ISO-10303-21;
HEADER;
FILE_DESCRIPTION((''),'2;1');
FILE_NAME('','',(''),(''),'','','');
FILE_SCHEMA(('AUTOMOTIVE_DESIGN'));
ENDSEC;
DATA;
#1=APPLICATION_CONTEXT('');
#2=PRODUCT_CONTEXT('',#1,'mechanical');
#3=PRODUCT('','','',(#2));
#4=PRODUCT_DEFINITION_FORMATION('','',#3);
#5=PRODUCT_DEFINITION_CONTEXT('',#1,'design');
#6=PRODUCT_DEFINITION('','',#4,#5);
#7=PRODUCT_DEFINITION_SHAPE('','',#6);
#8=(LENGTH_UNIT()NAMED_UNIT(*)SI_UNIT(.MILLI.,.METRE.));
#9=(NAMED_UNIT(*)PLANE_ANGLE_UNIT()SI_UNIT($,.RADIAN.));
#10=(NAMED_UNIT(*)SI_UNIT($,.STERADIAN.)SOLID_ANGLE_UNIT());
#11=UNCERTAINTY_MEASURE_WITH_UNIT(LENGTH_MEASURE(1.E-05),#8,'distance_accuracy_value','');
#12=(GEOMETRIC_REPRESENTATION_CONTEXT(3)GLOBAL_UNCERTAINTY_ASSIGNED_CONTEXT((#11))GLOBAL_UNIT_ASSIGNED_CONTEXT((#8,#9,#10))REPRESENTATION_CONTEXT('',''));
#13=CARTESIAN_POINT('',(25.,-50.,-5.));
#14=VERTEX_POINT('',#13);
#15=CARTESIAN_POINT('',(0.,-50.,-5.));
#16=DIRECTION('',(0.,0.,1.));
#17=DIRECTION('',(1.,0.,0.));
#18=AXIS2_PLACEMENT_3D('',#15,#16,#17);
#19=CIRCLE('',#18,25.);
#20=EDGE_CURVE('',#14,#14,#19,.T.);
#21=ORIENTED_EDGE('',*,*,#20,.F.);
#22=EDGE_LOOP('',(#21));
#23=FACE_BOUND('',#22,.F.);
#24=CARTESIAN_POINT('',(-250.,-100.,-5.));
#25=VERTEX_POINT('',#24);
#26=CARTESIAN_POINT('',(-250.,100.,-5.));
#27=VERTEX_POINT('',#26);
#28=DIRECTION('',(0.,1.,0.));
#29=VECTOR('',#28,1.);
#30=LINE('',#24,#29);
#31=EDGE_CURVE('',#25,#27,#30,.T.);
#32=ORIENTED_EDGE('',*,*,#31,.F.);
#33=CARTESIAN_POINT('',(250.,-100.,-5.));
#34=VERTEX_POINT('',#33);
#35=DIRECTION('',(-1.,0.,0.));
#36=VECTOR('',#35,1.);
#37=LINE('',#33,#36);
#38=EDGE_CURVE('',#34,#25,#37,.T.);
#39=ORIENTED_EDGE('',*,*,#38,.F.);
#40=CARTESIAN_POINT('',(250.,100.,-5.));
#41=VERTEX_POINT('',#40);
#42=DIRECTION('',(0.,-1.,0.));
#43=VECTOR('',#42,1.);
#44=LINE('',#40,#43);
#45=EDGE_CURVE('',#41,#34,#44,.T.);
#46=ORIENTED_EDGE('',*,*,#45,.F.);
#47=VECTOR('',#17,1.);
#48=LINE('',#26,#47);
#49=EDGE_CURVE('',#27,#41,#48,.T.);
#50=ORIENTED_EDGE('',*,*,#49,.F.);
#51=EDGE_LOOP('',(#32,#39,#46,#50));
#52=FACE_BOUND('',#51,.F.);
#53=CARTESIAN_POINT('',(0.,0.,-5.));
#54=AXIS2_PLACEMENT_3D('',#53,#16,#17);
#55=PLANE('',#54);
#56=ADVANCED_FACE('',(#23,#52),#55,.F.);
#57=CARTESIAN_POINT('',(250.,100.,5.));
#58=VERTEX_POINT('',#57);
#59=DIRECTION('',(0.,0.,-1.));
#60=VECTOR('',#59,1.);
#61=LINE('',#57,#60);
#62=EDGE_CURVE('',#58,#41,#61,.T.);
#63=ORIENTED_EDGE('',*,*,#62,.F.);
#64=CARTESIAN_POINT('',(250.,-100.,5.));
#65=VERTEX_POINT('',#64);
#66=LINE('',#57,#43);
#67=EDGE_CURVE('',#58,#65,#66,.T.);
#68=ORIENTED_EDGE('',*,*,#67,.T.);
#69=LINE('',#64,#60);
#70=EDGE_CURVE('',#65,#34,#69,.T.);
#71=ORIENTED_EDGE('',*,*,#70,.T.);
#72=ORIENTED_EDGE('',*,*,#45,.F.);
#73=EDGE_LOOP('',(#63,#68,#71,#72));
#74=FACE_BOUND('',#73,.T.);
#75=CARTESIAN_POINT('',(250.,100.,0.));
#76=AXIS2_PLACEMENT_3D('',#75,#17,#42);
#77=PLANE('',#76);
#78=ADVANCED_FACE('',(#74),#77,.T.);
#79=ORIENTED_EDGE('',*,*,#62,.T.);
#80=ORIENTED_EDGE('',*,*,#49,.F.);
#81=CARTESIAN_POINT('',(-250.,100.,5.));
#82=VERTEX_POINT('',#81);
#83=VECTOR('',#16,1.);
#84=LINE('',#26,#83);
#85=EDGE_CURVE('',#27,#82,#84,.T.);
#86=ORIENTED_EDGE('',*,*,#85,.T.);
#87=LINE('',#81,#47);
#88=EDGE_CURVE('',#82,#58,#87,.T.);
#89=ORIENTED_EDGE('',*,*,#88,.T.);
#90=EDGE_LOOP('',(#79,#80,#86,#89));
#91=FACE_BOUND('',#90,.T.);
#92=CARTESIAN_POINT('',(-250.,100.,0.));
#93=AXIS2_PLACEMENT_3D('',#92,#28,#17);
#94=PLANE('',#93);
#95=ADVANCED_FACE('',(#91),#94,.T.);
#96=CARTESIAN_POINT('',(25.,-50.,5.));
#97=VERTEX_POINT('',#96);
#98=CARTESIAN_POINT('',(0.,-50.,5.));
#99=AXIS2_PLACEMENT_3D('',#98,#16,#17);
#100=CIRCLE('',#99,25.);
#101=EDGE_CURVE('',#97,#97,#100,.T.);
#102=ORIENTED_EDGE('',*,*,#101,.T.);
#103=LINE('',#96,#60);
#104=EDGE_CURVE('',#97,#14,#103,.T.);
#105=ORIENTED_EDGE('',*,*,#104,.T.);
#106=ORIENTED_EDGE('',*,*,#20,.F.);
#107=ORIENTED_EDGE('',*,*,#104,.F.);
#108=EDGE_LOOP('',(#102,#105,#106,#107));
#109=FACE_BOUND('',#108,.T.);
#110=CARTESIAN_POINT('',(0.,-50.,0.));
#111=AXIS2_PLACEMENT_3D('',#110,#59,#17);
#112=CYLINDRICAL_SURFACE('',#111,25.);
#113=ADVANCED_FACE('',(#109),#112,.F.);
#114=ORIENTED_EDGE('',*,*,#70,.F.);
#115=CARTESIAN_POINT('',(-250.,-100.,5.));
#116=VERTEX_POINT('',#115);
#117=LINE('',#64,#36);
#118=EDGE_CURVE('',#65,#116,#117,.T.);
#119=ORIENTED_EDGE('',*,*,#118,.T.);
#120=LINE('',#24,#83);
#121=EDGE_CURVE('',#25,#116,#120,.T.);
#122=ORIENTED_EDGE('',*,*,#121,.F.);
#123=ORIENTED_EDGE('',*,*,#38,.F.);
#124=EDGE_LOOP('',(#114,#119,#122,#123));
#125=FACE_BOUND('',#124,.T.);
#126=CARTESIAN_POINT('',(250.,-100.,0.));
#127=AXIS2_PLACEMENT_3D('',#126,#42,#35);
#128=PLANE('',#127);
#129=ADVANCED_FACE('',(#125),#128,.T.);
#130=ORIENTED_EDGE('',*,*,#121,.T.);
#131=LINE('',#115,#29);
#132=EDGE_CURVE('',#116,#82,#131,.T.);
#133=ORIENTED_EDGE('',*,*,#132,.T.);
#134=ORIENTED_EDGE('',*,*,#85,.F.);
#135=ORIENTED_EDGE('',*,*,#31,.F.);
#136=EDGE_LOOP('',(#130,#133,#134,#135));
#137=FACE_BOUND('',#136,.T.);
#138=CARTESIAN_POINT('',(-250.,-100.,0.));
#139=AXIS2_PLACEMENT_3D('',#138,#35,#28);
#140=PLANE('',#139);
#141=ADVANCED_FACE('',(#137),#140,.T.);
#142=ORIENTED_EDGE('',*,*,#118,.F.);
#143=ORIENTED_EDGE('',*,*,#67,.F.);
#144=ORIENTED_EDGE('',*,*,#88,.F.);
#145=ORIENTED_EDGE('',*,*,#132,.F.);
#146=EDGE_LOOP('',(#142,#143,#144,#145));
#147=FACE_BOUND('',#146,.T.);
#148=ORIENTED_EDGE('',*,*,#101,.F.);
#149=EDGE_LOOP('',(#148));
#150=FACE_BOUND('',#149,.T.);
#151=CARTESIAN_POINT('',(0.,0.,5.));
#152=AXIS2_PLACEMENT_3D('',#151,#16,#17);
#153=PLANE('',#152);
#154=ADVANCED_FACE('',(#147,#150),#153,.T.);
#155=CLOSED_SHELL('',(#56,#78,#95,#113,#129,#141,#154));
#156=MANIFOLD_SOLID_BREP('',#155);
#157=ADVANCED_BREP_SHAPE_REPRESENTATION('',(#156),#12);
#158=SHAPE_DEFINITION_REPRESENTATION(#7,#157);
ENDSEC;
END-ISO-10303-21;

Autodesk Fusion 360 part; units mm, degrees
sketch "Sketch1" plane through (0, 0, 0) normal (0, 0, 1) x (1, 0, 0)
  line L0 (-250, 100) -> (250, 100)
  line L1 (250, 100) -> (250, -100)
  line L2 (250, -100) -> (-250, -100)
  line L3 (-250, -100) -> (-250, 100)
  line L4 (250, 0) -> (-250, 0) construction
  line L5 (0, 100) -> (0, -100) construction
  circle A0 centre (0, -50) radius 25
  dimension "Total_Width" = 500
  dimension "Total_Height" = 200
  dimension "Hole_Radius" = 25
  dimension "Hole_Offset" = 50
extrude "Extrude1" add sketch "Sketch1" along normal mid plane 10
equation "Thickness = 1 cm"
